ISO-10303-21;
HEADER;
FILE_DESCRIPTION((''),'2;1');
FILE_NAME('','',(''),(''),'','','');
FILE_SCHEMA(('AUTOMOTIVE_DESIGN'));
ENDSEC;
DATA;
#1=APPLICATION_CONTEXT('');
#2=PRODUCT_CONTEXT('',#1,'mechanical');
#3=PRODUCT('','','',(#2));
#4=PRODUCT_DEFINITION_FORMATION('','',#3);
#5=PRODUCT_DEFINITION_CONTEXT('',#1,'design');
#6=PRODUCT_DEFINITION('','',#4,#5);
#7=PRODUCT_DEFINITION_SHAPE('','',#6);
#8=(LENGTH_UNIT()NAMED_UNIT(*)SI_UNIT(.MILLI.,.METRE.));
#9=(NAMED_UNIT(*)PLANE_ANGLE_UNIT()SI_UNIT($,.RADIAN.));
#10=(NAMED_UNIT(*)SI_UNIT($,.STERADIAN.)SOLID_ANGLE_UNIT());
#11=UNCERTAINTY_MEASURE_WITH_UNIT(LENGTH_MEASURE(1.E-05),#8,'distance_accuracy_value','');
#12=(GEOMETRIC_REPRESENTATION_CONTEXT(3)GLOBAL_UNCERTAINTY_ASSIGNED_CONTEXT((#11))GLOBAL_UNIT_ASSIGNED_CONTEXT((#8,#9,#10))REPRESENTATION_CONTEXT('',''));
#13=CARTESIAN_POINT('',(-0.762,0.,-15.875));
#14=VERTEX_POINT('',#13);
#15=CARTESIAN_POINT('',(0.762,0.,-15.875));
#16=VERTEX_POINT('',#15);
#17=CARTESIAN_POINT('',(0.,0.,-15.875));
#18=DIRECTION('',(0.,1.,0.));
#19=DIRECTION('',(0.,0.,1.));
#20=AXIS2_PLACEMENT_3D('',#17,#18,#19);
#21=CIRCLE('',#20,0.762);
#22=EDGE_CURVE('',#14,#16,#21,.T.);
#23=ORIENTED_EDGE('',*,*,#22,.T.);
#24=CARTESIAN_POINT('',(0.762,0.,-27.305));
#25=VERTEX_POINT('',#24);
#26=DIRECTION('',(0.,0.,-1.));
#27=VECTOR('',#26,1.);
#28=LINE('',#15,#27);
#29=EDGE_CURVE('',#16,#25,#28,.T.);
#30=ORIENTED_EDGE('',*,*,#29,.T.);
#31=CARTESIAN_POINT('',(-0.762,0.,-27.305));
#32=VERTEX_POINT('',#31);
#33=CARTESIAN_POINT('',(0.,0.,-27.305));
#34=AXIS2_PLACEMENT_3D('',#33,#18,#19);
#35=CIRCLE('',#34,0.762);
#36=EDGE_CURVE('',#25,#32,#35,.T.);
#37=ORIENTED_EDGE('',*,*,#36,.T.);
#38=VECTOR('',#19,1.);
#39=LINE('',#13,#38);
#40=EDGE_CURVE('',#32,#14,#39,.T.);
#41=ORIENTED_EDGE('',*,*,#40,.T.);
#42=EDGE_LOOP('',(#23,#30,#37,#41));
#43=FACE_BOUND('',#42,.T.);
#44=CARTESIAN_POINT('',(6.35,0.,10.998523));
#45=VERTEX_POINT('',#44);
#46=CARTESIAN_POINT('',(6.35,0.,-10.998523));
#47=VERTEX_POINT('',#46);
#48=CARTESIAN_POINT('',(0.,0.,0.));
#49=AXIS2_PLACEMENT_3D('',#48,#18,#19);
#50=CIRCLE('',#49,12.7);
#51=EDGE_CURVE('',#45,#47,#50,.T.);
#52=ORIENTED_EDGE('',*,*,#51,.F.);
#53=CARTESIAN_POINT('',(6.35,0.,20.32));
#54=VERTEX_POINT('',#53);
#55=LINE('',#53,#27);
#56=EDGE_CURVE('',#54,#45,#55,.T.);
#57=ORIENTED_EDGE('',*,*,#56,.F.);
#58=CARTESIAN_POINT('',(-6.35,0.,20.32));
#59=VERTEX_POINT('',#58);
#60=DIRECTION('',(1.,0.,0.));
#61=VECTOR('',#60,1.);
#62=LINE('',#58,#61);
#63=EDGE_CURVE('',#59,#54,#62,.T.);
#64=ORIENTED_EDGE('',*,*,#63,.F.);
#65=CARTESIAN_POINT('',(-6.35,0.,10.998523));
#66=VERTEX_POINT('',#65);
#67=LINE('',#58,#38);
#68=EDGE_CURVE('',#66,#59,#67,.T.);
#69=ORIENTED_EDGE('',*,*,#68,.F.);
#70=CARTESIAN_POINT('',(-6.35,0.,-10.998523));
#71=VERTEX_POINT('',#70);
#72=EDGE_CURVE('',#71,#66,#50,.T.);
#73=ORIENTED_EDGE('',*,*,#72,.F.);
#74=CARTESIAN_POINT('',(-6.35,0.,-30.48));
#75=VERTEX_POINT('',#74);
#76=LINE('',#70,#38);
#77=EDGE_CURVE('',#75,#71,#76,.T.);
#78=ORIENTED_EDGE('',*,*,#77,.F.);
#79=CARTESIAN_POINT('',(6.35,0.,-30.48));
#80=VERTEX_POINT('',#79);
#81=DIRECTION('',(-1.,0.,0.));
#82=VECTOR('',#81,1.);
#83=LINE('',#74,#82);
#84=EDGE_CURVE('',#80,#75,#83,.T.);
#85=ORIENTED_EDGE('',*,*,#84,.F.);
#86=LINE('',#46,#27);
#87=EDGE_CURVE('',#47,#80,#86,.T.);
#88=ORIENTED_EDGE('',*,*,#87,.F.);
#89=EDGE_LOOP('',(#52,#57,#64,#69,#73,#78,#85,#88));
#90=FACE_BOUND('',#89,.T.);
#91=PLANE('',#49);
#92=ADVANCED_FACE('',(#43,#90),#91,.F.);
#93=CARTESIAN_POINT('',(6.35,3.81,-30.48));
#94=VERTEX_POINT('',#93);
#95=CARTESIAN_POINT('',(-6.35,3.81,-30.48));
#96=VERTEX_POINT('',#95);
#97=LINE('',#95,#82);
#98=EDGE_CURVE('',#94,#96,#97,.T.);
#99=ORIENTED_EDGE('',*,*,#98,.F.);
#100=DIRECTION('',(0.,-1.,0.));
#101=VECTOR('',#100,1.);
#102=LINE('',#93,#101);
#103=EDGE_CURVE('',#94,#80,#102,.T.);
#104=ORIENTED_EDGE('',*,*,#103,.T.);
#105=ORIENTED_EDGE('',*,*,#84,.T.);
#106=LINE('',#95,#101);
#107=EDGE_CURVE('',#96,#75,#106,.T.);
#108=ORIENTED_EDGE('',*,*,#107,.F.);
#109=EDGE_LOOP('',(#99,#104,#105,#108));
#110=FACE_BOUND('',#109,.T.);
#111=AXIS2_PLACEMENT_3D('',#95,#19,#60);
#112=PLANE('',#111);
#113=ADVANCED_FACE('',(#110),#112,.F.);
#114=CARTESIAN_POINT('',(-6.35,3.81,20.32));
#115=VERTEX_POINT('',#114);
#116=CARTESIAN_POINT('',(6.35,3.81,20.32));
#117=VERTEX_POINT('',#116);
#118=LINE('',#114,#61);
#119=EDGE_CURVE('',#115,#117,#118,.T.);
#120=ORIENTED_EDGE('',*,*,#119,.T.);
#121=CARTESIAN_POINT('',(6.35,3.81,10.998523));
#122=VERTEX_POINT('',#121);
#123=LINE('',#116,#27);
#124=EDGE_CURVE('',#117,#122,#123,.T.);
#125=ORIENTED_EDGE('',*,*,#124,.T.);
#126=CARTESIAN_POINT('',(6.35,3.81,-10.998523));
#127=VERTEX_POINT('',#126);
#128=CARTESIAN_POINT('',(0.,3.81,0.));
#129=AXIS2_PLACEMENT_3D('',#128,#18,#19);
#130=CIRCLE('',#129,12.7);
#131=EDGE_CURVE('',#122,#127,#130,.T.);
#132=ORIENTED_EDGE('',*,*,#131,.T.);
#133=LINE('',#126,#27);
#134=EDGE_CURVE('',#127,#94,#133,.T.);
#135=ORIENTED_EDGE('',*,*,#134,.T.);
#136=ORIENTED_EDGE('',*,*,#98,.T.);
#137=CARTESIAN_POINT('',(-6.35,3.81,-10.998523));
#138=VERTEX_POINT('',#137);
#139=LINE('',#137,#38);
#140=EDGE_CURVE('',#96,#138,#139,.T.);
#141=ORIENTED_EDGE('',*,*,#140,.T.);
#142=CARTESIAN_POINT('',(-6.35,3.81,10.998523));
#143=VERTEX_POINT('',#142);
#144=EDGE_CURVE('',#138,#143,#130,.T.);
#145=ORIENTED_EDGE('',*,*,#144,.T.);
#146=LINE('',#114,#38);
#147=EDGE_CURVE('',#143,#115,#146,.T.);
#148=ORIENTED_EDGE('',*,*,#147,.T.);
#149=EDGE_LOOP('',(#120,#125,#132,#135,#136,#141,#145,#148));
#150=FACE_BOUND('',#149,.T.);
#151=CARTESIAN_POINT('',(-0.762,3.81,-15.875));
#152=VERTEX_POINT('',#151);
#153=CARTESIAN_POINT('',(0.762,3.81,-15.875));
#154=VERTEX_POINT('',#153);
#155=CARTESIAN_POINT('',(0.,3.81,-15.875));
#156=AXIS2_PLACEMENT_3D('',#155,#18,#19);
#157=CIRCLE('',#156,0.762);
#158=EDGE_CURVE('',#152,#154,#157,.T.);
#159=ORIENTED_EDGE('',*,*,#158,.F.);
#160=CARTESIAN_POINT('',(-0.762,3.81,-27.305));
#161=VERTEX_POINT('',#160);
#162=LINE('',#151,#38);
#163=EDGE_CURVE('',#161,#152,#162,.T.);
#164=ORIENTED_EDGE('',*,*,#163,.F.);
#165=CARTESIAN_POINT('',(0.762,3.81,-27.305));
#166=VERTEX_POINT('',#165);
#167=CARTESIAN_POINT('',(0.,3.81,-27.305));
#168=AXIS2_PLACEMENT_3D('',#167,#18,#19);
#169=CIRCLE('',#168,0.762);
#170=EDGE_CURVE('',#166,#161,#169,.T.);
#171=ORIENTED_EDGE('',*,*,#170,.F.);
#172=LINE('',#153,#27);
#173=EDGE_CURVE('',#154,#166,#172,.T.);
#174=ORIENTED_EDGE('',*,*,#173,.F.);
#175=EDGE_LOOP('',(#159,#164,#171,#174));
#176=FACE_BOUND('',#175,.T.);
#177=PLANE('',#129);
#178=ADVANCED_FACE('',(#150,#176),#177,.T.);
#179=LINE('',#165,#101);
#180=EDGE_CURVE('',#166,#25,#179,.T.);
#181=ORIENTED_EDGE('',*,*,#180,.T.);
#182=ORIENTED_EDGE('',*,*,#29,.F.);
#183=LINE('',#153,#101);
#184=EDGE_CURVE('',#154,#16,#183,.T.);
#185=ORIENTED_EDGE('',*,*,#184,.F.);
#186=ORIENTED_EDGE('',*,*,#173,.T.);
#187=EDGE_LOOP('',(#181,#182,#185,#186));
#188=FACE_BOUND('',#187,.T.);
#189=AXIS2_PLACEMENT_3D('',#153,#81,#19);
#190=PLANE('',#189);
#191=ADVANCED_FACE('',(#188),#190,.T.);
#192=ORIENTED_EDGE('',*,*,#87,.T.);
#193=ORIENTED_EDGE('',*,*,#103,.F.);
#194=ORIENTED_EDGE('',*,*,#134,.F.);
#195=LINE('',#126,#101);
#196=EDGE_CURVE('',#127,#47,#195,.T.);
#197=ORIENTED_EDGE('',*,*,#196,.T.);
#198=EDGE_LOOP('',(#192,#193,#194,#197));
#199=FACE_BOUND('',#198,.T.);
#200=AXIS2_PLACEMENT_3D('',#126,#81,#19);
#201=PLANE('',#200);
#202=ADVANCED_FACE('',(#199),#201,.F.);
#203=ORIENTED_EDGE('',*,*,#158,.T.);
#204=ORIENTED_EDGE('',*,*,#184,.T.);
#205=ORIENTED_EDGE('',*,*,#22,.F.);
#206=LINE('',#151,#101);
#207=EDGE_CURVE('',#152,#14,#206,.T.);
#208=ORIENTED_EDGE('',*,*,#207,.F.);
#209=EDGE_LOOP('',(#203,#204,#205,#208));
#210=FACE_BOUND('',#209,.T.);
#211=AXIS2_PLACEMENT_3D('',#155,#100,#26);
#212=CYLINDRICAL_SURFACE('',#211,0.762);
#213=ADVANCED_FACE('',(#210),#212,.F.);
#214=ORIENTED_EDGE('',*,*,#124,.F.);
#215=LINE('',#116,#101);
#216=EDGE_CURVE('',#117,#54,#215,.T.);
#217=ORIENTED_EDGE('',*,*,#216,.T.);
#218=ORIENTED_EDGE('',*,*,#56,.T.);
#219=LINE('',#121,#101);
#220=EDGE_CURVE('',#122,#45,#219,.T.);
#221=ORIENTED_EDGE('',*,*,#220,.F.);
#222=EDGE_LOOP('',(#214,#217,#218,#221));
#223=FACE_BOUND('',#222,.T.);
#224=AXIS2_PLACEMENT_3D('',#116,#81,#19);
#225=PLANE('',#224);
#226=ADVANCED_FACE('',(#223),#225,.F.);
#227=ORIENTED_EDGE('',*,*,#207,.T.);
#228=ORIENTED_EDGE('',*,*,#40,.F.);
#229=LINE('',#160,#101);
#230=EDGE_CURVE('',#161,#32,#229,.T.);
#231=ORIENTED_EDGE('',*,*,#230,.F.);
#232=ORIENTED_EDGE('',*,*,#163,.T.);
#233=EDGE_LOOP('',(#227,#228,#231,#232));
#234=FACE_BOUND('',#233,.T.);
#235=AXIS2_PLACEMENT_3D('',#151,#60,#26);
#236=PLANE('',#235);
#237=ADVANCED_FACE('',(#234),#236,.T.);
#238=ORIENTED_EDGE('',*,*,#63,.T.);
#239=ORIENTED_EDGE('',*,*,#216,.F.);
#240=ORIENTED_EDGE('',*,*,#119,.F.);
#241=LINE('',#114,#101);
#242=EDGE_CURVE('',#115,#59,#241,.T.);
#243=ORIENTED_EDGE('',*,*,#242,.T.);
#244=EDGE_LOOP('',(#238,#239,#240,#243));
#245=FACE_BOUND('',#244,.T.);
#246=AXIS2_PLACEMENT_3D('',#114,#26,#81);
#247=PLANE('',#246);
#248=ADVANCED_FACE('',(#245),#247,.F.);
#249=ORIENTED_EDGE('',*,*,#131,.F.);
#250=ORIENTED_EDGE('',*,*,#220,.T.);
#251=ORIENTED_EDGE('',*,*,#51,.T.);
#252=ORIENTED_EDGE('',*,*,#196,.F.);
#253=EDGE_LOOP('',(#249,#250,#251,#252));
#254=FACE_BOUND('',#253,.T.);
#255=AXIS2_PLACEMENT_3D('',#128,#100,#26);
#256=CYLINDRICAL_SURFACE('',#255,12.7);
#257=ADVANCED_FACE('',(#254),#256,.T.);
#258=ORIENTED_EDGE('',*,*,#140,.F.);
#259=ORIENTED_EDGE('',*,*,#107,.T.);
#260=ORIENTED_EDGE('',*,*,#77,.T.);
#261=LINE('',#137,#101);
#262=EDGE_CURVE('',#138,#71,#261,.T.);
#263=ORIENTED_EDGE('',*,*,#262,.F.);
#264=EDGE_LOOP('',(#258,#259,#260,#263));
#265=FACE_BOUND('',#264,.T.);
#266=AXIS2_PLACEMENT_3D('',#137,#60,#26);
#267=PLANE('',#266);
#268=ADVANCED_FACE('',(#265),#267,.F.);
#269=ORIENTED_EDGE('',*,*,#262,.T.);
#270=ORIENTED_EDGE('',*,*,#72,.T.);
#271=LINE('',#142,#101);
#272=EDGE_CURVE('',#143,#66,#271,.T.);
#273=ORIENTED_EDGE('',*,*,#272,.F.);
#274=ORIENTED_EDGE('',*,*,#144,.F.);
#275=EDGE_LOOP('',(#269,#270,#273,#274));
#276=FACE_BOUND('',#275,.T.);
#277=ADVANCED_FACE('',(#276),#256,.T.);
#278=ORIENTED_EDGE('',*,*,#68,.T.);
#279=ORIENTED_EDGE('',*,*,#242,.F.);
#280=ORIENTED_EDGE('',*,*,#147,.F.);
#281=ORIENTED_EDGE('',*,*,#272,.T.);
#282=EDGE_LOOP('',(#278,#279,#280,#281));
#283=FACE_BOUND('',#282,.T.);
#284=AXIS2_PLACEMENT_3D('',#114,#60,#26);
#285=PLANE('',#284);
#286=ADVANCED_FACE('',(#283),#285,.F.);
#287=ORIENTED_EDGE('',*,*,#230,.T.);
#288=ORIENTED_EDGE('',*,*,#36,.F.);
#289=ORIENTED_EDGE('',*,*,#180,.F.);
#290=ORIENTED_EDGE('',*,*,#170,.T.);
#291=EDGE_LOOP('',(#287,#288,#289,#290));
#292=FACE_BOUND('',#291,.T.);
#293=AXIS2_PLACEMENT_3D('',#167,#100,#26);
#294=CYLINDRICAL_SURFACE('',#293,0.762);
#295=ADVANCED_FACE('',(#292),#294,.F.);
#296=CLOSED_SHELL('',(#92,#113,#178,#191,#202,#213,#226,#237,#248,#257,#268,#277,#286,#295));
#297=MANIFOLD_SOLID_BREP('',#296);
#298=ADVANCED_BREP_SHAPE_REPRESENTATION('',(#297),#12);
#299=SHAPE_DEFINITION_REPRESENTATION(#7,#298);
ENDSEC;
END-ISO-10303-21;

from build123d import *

# Parameters (mm, degrees)
BOSS_EXTRUDE1_DEPTH = 3.81


with BuildPart() as part:
    # Sketch2 → Boss-Extrude1 (new body)
    with BuildSketch(Plane(origin=(0, 0, 0), x_dir=(1, 0, 0), z_dir=(0, 1, 0))):
        with BuildLine():
            Line((6.35, 10.998522628), (6.35, 30.48))
            Line((6.35, 30.48), (-6.35, 30.48))
            Line((-6.35, 30.48), (-6.35, 10.998522628))
            ThreePointArc((-6.35, 10.998522628), (-12.7, 0), (-6.35, -10.998522628))
            Line((-6.35, -10.998522628), (-6.35, -20.32))
            Line((-6.35, -20.32), (6.35, -20.32))
            Line((6.35, -20.32), (6.35, -10.998522628))
            ThreePointArc((6.35, -10.998522628), (12.7, 0), (6.35, 10.998522628))
        make_face()
        with BuildLine():
            Line((-0.762, 15.875), (-0.762, 27.305))
            ThreePointArc((-0.762, 27.305), (0, 28.067), (0.762, 27.305))
            Line((0.762, 27.305), (0.762, 15.875))
            ThreePointArc((0.762, 15.875), (0, 15.113), (-0.762, 15.875))
        make_face(mode=Mode.SUBTRACT)
    extrude(amount=BOSS_EXTRUDE1_DEPTH)


solid = part.part
